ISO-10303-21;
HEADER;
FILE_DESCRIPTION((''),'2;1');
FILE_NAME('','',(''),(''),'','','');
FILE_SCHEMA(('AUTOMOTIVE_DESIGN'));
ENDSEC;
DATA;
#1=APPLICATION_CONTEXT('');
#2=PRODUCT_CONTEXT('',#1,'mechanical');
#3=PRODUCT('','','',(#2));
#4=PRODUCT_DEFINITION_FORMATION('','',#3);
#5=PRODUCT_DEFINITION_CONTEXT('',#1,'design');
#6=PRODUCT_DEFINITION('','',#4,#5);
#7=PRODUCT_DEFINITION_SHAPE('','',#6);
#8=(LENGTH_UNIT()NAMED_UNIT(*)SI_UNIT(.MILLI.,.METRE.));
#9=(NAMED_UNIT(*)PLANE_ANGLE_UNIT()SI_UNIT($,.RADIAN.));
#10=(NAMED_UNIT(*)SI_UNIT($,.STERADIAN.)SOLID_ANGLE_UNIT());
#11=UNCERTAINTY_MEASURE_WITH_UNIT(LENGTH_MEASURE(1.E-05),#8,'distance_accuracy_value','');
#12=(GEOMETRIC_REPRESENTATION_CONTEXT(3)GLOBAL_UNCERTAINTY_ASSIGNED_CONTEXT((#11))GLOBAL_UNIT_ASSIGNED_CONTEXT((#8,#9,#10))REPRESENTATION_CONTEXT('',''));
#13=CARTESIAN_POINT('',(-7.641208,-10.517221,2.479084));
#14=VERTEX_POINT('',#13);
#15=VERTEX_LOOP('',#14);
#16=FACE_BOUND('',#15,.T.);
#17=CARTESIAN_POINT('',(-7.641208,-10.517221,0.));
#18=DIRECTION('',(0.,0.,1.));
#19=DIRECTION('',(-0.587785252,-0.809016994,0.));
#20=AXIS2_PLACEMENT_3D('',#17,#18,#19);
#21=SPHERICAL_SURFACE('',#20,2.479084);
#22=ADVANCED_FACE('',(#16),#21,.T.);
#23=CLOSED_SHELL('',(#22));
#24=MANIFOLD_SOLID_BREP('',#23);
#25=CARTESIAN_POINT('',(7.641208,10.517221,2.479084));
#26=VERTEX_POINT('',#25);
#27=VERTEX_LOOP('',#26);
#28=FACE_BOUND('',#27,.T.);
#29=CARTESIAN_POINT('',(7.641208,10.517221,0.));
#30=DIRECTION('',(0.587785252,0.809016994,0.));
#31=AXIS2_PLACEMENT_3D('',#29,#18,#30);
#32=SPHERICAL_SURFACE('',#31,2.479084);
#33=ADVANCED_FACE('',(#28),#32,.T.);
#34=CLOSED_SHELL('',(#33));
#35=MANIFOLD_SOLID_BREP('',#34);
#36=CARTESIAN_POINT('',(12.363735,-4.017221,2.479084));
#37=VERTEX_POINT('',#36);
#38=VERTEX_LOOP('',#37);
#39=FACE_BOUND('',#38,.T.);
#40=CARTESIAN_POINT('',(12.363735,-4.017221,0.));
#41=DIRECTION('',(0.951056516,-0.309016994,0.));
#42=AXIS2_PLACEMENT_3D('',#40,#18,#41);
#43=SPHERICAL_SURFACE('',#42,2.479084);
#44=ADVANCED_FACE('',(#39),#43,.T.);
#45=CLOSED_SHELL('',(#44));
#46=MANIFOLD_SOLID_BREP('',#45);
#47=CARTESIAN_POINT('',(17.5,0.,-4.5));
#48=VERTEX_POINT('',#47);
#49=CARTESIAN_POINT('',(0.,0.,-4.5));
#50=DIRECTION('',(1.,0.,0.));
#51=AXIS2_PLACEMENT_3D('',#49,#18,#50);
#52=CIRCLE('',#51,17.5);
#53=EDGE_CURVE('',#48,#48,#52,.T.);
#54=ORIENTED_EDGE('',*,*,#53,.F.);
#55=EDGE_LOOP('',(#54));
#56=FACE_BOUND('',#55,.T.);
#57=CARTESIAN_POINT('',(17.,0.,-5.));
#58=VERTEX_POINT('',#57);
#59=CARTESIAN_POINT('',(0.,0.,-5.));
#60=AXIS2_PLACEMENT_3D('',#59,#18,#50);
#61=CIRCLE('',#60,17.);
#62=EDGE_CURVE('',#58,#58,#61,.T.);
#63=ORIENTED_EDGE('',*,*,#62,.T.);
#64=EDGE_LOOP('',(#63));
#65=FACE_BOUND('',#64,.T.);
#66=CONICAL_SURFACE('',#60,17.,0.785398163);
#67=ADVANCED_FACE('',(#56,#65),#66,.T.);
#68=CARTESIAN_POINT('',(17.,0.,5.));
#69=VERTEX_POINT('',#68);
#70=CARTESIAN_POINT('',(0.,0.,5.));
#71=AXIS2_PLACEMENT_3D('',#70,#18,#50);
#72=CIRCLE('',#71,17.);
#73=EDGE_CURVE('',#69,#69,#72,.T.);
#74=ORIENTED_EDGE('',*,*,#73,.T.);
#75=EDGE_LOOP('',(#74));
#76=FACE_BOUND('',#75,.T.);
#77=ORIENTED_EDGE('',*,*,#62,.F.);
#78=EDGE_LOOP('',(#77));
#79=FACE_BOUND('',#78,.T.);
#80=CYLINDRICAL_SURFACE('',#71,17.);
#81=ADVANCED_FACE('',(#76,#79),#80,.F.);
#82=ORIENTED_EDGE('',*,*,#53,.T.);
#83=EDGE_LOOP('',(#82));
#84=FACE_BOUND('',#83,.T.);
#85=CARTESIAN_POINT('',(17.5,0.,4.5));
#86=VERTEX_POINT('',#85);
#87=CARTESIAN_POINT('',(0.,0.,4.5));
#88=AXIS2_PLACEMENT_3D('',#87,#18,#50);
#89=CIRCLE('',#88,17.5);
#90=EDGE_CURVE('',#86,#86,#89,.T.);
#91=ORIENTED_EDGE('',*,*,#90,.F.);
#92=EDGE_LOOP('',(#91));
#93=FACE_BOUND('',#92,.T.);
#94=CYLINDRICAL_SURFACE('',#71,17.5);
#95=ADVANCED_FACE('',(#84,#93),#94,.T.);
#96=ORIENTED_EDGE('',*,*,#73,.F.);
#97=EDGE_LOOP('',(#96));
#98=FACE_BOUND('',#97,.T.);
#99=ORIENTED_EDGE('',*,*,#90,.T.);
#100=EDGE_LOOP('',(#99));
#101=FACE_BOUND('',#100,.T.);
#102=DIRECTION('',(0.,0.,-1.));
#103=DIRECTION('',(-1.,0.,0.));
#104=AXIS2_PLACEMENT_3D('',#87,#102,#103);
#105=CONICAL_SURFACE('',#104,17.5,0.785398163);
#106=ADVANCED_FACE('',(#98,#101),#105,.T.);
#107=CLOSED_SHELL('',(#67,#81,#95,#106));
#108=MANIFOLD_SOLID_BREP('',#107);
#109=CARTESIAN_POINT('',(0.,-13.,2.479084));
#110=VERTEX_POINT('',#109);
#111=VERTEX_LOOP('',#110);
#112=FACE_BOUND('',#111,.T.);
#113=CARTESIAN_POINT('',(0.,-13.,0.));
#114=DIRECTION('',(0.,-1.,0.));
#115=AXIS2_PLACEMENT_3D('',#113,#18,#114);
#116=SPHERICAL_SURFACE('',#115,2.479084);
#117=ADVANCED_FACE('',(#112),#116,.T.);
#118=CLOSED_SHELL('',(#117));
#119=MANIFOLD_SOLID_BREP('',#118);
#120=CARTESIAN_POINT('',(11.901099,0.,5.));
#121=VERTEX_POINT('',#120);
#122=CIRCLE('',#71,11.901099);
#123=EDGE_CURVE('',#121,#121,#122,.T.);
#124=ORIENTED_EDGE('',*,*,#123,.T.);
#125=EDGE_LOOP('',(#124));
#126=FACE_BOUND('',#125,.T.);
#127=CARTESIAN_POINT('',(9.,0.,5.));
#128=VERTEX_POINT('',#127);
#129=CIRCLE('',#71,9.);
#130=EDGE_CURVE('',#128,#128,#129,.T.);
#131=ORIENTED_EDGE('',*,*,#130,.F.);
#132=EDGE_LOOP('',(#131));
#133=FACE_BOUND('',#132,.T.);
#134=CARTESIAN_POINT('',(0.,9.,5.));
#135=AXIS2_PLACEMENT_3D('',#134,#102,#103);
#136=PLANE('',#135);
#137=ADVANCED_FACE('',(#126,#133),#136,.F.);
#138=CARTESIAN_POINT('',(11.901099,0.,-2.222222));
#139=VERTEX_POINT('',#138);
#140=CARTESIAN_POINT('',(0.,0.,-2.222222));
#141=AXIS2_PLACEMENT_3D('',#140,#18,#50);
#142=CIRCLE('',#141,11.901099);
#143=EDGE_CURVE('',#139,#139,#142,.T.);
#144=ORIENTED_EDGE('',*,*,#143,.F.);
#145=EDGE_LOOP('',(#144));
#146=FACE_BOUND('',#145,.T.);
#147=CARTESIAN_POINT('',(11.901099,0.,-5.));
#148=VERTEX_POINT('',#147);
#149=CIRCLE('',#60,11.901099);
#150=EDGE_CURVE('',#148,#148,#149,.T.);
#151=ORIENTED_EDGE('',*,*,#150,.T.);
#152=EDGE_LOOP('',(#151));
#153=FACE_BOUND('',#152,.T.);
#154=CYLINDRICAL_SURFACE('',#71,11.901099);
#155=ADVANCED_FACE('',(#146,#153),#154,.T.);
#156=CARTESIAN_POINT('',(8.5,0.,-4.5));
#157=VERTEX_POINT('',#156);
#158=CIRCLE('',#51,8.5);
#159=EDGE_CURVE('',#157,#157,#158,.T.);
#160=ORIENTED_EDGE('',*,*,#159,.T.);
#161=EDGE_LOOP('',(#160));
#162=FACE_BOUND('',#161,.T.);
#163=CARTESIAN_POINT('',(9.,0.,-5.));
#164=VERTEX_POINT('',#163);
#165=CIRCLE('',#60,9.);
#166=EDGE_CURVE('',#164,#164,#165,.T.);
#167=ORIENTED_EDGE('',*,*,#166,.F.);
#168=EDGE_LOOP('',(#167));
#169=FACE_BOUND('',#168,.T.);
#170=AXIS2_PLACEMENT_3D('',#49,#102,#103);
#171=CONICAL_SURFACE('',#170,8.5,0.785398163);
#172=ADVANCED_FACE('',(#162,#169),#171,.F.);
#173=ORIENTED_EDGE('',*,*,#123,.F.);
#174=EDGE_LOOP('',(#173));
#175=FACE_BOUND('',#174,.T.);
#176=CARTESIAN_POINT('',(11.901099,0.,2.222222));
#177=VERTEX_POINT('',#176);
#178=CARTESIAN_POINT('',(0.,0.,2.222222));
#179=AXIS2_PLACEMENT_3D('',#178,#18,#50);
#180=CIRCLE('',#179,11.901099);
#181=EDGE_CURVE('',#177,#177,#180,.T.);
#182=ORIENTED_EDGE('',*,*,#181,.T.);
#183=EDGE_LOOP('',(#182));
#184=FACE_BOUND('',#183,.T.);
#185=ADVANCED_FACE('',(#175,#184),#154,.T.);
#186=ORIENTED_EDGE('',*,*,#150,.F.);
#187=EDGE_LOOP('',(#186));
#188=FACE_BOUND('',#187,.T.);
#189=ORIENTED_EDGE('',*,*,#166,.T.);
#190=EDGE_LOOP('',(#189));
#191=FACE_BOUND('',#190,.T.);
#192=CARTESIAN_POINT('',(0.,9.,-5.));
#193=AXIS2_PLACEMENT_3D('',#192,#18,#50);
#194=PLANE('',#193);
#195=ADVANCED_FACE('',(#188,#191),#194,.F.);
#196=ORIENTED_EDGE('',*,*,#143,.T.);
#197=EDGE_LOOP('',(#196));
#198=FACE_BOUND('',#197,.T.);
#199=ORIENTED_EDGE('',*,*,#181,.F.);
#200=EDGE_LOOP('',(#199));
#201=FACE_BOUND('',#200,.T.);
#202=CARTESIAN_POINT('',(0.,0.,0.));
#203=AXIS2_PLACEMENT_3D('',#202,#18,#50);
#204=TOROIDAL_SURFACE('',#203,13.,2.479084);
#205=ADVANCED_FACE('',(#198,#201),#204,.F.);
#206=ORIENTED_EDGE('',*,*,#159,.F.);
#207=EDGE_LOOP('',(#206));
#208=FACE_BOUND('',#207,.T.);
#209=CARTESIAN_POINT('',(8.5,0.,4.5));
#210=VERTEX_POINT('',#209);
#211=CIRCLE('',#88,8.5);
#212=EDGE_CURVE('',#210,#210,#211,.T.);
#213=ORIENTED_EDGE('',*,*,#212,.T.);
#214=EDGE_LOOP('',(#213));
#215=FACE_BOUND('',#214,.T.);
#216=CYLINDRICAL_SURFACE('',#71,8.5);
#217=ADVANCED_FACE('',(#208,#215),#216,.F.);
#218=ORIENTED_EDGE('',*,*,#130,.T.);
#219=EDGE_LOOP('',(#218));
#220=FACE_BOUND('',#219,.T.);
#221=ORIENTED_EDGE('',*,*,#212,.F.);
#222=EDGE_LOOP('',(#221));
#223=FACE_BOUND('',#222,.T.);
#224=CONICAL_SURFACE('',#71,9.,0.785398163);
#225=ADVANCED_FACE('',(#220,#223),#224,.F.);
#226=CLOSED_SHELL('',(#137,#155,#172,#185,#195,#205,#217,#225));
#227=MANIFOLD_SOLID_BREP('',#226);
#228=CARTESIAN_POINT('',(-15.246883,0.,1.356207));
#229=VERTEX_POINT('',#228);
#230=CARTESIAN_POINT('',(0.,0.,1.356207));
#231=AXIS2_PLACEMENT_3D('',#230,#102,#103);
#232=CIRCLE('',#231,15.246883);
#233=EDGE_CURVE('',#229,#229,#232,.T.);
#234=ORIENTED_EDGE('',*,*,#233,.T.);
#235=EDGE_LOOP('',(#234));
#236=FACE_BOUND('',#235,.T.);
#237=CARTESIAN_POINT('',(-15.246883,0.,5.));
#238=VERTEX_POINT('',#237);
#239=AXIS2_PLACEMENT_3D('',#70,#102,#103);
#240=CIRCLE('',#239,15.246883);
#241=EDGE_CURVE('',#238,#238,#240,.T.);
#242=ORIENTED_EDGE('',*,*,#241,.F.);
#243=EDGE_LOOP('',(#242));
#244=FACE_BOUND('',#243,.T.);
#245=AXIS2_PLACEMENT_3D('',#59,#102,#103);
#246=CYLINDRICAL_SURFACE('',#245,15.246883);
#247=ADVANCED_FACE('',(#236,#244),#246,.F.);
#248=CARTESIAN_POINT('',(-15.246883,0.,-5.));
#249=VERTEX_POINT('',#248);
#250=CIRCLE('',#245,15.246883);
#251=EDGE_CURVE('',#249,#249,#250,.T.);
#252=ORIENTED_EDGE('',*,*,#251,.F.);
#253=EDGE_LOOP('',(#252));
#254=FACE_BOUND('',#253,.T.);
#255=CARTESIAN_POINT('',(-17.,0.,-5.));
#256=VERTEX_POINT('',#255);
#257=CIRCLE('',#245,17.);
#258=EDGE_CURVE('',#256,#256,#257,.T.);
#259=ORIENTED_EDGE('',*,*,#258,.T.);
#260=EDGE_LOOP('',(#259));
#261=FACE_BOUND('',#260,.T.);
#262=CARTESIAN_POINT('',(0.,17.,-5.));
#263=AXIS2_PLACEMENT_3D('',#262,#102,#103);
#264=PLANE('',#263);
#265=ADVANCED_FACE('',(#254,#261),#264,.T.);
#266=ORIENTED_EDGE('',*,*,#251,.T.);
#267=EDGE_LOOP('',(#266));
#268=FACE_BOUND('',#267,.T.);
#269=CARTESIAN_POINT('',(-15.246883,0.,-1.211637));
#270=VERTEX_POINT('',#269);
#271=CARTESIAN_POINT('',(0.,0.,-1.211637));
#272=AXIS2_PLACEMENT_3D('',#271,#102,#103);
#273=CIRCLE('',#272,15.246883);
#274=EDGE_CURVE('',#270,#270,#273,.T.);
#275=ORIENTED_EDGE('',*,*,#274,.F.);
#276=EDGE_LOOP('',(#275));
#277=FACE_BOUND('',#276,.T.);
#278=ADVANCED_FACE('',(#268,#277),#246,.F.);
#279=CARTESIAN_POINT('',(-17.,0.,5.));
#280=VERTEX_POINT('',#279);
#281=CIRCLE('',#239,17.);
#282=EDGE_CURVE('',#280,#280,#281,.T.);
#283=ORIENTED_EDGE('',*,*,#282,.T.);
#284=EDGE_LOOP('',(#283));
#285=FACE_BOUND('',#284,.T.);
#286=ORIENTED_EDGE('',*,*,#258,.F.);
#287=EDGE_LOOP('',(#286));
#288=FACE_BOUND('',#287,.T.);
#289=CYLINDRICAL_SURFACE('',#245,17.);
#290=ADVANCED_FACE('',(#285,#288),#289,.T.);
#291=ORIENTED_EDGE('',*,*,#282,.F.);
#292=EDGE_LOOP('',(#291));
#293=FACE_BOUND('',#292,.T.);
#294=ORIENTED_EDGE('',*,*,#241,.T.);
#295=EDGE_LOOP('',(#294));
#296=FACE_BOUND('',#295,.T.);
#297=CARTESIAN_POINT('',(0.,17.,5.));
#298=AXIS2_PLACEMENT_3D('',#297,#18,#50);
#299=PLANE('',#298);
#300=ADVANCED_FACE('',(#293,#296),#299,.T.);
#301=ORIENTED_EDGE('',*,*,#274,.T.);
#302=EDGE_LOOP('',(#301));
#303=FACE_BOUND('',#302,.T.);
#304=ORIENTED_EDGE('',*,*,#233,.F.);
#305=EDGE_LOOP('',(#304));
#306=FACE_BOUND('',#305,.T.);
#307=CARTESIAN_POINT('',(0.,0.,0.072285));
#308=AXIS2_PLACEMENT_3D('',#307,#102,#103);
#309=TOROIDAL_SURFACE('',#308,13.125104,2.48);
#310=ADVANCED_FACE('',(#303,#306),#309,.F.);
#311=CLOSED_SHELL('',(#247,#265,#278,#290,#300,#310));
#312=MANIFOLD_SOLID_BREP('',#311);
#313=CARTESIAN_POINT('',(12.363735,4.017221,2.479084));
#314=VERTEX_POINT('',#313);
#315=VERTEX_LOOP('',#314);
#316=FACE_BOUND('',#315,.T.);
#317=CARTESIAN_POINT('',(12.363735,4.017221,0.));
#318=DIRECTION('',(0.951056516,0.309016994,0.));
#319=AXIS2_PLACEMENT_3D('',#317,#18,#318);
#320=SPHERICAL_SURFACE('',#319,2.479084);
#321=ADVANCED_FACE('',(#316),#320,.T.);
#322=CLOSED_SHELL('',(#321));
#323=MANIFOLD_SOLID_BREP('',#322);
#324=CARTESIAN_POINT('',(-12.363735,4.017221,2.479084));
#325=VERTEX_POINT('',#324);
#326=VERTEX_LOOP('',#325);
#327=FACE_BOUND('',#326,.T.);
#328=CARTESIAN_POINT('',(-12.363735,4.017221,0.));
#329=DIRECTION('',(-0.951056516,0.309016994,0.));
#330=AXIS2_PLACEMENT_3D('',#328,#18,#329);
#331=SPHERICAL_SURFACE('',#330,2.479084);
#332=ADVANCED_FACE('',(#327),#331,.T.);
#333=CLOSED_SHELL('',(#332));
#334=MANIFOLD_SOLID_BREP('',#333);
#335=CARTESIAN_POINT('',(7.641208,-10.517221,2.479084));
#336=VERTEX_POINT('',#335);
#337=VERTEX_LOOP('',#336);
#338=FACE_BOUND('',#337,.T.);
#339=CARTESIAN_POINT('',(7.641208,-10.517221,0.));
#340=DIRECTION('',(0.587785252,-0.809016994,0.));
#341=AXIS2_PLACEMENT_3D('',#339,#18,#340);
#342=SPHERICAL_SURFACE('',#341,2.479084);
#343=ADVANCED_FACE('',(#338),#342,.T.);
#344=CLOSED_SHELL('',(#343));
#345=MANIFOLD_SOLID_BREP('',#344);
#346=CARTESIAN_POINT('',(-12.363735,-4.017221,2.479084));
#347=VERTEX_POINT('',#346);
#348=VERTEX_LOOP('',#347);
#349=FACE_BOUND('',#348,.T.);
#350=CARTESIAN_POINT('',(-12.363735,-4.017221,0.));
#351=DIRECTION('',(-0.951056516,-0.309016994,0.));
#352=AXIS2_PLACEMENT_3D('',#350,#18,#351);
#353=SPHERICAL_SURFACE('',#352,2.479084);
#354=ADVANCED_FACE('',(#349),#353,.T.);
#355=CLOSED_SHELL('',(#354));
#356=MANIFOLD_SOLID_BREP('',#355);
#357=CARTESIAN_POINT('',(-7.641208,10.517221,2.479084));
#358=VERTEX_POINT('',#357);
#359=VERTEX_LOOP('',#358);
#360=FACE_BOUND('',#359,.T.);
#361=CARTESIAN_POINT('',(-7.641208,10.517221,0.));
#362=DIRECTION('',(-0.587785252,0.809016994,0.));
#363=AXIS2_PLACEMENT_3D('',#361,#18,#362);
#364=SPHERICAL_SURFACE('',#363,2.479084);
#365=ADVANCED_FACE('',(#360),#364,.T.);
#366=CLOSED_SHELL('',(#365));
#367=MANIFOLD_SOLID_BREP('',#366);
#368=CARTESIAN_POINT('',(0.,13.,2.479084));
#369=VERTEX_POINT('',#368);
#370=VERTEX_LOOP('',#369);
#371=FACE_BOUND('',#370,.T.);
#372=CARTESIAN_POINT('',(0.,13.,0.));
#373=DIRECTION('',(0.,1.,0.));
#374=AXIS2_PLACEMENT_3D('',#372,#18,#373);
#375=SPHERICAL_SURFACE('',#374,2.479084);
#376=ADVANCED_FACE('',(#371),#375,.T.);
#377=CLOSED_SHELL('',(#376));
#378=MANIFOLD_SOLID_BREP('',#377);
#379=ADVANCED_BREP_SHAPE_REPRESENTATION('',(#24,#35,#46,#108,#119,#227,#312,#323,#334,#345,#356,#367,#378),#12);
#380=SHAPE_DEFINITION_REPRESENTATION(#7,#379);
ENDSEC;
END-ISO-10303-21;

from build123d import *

# Parameters (mm, degrees)
CIRPATTERN1_COUNT = 10


with BuildPart() as part:
    # Sketch1 → Revolve1 (revolve)
    with BuildSketch(Plane(origin=(0, 0, 0), x_dir=(0, 0, -1), z_dir=(1, 0, 0))):
        Polygon((4.5, 17.5), (-4.5, 17.5), (-5, 17), (5, 17), align=None)
    revolve(axis=Axis((0, 0, 5), (0, 0, -1)))


with BuildPart() as body_2:
    # Sketch6 → Revolve9 (revolve)
    with BuildSketch(Plane(origin=(0, 0, 0), x_dir=(0, 0, -1), z_dir=(1, 0, 0))):
        with BuildLine():
            Line((-5, 11.901098901), (-2.222222222, 11.901098901))
            ThreePointArc((-2.222222222, 11.901098901), (0, 10.520916454), (2.222222222, 11.901098901))
            Line((2.222222222, 11.901098901), (5, 11.901098901))
            Line((5, 11.901098901), (5, 9))
            Line((5, 9), (4.5, 8.5))
            Line((4.5, 8.5), (-4.5, 8.5))
            Line((-4.5, 8.5), (-5, 9))
            Line((-5, 9), (-5, 11.901098901))
        make_face()
    revolve(axis=Axis((0, 0, 5), (0, 0, -1)))


with BuildPart() as body_3:
    # Sketch4 → Revolve4 (revolve)
    with BuildSketch(Plane(origin=(0, 0, 0), x_dir=(0, 0, -1), z_dir=(1, 0, 0))):
        with BuildLine():
            Line((-2.479083546, 13), (2.479083546, 13))
            ThreePointArc((2.479083546, 13), (0, 15.479083546), (-2.479083546, 13))
        make_face()
    revolve(axis=Axis((0, 13, 2.479083546), (0, 0, -1)))


with BuildPart() as cirpattern1_1:
    # CirPattern1: pattern copy
    add(body_3.part.rotate(Axis((0, 0, -5), (0, 0, 1)), 1 * 360 / CIRPATTERN1_COUNT))


with BuildPart() as cirpattern1_2:
    # CirPattern1: pattern copy
    add(body_3.part.rotate(Axis((0, 0, -5), (0, 0, 1)), 2 * 360 / CIRPATTERN1_COUNT))


with BuildPart() as cirpattern1_3:
    # CirPattern1: pattern copy
    add(body_3.part.rotate(Axis((0, 0, -5), (0, 0, 1)), 3 * 360 / CIRPATTERN1_COUNT))


with BuildPart() as cirpattern1_4:
    # CirPattern1: pattern copy
    add(body_3.part.rotate(Axis((0, 0, -5), (0, 0, 1)), 4 * 360 / CIRPATTERN1_COUNT))


with BuildPart() as cirpattern1_5:
    # CirPattern1: pattern copy
    add(body_3.part.rotate(Axis((0, 0, -5), (0, 0, 1)), 5 * 360 / CIRPATTERN1_COUNT))


with BuildPart() as cirpattern1_6:
    # CirPattern1: pattern copy
    add(body_3.part.rotate(Axis((0, 0, -5), (0, 0, 1)), 6 * 360 / CIRPATTERN1_COUNT))


with BuildPart() as cirpattern1_7:
    # CirPattern1: pattern copy
    add(body_3.part.rotate(Axis((0, 0, -5), (0, 0, 1)), 7 * 360 / CIRPATTERN1_COUNT))


with BuildPart() as cirpattern1_8:
    # CirPattern1: pattern copy
    add(body_3.part.rotate(Axis((0, 0, -5), (0, 0, 1)), 8 * 360 / CIRPATTERN1_COUNT))


with BuildPart() as cirpattern1_9:
    # CirPattern1: pattern copy
    add(body_3.part.rotate(Axis((0, 0, -5), (0, 0, 1)), 9 * 360 / CIRPATTERN1_COUNT))


with BuildPart() as body_13:
    # Sketch7 → Revolve11 (revolve)
    with BuildSketch(Plane(origin=(0, 0, 0), x_dir=(0, 0, -1), z_dir=(1, 0, 0))):
        with BuildLine():
            Line((1.211636968, 15.246882871), (5, 15.246882871))
            Line((5, 15.246882871), (5, 17))
            Line((5, 17), (-5, 17))
            Line((-5, 17), (-5, 15.246882871))
            Line((-5, 15.246882871), (-1.356206861, 15.246882871))
            ThreePointArc((-1.356206861, 15.246882871), (-0.072284947, 15.60510425), (1.211636968, 15.246882871))
        make_face()
    revolve(axis=Axis((0, 0, -5), (0, 0, 1)))


solid = Compound([part.part, body_2.part, body_3.part, cirpattern1_1.part, cirpattern1_2.part, cirpattern1_3.part, cirpattern1_4.part, cirpattern1_5.part, cirpattern1_6.part, cirpattern1_7.part, cirpattern1_8.part, cirpattern1_9.part, body_13.part])
